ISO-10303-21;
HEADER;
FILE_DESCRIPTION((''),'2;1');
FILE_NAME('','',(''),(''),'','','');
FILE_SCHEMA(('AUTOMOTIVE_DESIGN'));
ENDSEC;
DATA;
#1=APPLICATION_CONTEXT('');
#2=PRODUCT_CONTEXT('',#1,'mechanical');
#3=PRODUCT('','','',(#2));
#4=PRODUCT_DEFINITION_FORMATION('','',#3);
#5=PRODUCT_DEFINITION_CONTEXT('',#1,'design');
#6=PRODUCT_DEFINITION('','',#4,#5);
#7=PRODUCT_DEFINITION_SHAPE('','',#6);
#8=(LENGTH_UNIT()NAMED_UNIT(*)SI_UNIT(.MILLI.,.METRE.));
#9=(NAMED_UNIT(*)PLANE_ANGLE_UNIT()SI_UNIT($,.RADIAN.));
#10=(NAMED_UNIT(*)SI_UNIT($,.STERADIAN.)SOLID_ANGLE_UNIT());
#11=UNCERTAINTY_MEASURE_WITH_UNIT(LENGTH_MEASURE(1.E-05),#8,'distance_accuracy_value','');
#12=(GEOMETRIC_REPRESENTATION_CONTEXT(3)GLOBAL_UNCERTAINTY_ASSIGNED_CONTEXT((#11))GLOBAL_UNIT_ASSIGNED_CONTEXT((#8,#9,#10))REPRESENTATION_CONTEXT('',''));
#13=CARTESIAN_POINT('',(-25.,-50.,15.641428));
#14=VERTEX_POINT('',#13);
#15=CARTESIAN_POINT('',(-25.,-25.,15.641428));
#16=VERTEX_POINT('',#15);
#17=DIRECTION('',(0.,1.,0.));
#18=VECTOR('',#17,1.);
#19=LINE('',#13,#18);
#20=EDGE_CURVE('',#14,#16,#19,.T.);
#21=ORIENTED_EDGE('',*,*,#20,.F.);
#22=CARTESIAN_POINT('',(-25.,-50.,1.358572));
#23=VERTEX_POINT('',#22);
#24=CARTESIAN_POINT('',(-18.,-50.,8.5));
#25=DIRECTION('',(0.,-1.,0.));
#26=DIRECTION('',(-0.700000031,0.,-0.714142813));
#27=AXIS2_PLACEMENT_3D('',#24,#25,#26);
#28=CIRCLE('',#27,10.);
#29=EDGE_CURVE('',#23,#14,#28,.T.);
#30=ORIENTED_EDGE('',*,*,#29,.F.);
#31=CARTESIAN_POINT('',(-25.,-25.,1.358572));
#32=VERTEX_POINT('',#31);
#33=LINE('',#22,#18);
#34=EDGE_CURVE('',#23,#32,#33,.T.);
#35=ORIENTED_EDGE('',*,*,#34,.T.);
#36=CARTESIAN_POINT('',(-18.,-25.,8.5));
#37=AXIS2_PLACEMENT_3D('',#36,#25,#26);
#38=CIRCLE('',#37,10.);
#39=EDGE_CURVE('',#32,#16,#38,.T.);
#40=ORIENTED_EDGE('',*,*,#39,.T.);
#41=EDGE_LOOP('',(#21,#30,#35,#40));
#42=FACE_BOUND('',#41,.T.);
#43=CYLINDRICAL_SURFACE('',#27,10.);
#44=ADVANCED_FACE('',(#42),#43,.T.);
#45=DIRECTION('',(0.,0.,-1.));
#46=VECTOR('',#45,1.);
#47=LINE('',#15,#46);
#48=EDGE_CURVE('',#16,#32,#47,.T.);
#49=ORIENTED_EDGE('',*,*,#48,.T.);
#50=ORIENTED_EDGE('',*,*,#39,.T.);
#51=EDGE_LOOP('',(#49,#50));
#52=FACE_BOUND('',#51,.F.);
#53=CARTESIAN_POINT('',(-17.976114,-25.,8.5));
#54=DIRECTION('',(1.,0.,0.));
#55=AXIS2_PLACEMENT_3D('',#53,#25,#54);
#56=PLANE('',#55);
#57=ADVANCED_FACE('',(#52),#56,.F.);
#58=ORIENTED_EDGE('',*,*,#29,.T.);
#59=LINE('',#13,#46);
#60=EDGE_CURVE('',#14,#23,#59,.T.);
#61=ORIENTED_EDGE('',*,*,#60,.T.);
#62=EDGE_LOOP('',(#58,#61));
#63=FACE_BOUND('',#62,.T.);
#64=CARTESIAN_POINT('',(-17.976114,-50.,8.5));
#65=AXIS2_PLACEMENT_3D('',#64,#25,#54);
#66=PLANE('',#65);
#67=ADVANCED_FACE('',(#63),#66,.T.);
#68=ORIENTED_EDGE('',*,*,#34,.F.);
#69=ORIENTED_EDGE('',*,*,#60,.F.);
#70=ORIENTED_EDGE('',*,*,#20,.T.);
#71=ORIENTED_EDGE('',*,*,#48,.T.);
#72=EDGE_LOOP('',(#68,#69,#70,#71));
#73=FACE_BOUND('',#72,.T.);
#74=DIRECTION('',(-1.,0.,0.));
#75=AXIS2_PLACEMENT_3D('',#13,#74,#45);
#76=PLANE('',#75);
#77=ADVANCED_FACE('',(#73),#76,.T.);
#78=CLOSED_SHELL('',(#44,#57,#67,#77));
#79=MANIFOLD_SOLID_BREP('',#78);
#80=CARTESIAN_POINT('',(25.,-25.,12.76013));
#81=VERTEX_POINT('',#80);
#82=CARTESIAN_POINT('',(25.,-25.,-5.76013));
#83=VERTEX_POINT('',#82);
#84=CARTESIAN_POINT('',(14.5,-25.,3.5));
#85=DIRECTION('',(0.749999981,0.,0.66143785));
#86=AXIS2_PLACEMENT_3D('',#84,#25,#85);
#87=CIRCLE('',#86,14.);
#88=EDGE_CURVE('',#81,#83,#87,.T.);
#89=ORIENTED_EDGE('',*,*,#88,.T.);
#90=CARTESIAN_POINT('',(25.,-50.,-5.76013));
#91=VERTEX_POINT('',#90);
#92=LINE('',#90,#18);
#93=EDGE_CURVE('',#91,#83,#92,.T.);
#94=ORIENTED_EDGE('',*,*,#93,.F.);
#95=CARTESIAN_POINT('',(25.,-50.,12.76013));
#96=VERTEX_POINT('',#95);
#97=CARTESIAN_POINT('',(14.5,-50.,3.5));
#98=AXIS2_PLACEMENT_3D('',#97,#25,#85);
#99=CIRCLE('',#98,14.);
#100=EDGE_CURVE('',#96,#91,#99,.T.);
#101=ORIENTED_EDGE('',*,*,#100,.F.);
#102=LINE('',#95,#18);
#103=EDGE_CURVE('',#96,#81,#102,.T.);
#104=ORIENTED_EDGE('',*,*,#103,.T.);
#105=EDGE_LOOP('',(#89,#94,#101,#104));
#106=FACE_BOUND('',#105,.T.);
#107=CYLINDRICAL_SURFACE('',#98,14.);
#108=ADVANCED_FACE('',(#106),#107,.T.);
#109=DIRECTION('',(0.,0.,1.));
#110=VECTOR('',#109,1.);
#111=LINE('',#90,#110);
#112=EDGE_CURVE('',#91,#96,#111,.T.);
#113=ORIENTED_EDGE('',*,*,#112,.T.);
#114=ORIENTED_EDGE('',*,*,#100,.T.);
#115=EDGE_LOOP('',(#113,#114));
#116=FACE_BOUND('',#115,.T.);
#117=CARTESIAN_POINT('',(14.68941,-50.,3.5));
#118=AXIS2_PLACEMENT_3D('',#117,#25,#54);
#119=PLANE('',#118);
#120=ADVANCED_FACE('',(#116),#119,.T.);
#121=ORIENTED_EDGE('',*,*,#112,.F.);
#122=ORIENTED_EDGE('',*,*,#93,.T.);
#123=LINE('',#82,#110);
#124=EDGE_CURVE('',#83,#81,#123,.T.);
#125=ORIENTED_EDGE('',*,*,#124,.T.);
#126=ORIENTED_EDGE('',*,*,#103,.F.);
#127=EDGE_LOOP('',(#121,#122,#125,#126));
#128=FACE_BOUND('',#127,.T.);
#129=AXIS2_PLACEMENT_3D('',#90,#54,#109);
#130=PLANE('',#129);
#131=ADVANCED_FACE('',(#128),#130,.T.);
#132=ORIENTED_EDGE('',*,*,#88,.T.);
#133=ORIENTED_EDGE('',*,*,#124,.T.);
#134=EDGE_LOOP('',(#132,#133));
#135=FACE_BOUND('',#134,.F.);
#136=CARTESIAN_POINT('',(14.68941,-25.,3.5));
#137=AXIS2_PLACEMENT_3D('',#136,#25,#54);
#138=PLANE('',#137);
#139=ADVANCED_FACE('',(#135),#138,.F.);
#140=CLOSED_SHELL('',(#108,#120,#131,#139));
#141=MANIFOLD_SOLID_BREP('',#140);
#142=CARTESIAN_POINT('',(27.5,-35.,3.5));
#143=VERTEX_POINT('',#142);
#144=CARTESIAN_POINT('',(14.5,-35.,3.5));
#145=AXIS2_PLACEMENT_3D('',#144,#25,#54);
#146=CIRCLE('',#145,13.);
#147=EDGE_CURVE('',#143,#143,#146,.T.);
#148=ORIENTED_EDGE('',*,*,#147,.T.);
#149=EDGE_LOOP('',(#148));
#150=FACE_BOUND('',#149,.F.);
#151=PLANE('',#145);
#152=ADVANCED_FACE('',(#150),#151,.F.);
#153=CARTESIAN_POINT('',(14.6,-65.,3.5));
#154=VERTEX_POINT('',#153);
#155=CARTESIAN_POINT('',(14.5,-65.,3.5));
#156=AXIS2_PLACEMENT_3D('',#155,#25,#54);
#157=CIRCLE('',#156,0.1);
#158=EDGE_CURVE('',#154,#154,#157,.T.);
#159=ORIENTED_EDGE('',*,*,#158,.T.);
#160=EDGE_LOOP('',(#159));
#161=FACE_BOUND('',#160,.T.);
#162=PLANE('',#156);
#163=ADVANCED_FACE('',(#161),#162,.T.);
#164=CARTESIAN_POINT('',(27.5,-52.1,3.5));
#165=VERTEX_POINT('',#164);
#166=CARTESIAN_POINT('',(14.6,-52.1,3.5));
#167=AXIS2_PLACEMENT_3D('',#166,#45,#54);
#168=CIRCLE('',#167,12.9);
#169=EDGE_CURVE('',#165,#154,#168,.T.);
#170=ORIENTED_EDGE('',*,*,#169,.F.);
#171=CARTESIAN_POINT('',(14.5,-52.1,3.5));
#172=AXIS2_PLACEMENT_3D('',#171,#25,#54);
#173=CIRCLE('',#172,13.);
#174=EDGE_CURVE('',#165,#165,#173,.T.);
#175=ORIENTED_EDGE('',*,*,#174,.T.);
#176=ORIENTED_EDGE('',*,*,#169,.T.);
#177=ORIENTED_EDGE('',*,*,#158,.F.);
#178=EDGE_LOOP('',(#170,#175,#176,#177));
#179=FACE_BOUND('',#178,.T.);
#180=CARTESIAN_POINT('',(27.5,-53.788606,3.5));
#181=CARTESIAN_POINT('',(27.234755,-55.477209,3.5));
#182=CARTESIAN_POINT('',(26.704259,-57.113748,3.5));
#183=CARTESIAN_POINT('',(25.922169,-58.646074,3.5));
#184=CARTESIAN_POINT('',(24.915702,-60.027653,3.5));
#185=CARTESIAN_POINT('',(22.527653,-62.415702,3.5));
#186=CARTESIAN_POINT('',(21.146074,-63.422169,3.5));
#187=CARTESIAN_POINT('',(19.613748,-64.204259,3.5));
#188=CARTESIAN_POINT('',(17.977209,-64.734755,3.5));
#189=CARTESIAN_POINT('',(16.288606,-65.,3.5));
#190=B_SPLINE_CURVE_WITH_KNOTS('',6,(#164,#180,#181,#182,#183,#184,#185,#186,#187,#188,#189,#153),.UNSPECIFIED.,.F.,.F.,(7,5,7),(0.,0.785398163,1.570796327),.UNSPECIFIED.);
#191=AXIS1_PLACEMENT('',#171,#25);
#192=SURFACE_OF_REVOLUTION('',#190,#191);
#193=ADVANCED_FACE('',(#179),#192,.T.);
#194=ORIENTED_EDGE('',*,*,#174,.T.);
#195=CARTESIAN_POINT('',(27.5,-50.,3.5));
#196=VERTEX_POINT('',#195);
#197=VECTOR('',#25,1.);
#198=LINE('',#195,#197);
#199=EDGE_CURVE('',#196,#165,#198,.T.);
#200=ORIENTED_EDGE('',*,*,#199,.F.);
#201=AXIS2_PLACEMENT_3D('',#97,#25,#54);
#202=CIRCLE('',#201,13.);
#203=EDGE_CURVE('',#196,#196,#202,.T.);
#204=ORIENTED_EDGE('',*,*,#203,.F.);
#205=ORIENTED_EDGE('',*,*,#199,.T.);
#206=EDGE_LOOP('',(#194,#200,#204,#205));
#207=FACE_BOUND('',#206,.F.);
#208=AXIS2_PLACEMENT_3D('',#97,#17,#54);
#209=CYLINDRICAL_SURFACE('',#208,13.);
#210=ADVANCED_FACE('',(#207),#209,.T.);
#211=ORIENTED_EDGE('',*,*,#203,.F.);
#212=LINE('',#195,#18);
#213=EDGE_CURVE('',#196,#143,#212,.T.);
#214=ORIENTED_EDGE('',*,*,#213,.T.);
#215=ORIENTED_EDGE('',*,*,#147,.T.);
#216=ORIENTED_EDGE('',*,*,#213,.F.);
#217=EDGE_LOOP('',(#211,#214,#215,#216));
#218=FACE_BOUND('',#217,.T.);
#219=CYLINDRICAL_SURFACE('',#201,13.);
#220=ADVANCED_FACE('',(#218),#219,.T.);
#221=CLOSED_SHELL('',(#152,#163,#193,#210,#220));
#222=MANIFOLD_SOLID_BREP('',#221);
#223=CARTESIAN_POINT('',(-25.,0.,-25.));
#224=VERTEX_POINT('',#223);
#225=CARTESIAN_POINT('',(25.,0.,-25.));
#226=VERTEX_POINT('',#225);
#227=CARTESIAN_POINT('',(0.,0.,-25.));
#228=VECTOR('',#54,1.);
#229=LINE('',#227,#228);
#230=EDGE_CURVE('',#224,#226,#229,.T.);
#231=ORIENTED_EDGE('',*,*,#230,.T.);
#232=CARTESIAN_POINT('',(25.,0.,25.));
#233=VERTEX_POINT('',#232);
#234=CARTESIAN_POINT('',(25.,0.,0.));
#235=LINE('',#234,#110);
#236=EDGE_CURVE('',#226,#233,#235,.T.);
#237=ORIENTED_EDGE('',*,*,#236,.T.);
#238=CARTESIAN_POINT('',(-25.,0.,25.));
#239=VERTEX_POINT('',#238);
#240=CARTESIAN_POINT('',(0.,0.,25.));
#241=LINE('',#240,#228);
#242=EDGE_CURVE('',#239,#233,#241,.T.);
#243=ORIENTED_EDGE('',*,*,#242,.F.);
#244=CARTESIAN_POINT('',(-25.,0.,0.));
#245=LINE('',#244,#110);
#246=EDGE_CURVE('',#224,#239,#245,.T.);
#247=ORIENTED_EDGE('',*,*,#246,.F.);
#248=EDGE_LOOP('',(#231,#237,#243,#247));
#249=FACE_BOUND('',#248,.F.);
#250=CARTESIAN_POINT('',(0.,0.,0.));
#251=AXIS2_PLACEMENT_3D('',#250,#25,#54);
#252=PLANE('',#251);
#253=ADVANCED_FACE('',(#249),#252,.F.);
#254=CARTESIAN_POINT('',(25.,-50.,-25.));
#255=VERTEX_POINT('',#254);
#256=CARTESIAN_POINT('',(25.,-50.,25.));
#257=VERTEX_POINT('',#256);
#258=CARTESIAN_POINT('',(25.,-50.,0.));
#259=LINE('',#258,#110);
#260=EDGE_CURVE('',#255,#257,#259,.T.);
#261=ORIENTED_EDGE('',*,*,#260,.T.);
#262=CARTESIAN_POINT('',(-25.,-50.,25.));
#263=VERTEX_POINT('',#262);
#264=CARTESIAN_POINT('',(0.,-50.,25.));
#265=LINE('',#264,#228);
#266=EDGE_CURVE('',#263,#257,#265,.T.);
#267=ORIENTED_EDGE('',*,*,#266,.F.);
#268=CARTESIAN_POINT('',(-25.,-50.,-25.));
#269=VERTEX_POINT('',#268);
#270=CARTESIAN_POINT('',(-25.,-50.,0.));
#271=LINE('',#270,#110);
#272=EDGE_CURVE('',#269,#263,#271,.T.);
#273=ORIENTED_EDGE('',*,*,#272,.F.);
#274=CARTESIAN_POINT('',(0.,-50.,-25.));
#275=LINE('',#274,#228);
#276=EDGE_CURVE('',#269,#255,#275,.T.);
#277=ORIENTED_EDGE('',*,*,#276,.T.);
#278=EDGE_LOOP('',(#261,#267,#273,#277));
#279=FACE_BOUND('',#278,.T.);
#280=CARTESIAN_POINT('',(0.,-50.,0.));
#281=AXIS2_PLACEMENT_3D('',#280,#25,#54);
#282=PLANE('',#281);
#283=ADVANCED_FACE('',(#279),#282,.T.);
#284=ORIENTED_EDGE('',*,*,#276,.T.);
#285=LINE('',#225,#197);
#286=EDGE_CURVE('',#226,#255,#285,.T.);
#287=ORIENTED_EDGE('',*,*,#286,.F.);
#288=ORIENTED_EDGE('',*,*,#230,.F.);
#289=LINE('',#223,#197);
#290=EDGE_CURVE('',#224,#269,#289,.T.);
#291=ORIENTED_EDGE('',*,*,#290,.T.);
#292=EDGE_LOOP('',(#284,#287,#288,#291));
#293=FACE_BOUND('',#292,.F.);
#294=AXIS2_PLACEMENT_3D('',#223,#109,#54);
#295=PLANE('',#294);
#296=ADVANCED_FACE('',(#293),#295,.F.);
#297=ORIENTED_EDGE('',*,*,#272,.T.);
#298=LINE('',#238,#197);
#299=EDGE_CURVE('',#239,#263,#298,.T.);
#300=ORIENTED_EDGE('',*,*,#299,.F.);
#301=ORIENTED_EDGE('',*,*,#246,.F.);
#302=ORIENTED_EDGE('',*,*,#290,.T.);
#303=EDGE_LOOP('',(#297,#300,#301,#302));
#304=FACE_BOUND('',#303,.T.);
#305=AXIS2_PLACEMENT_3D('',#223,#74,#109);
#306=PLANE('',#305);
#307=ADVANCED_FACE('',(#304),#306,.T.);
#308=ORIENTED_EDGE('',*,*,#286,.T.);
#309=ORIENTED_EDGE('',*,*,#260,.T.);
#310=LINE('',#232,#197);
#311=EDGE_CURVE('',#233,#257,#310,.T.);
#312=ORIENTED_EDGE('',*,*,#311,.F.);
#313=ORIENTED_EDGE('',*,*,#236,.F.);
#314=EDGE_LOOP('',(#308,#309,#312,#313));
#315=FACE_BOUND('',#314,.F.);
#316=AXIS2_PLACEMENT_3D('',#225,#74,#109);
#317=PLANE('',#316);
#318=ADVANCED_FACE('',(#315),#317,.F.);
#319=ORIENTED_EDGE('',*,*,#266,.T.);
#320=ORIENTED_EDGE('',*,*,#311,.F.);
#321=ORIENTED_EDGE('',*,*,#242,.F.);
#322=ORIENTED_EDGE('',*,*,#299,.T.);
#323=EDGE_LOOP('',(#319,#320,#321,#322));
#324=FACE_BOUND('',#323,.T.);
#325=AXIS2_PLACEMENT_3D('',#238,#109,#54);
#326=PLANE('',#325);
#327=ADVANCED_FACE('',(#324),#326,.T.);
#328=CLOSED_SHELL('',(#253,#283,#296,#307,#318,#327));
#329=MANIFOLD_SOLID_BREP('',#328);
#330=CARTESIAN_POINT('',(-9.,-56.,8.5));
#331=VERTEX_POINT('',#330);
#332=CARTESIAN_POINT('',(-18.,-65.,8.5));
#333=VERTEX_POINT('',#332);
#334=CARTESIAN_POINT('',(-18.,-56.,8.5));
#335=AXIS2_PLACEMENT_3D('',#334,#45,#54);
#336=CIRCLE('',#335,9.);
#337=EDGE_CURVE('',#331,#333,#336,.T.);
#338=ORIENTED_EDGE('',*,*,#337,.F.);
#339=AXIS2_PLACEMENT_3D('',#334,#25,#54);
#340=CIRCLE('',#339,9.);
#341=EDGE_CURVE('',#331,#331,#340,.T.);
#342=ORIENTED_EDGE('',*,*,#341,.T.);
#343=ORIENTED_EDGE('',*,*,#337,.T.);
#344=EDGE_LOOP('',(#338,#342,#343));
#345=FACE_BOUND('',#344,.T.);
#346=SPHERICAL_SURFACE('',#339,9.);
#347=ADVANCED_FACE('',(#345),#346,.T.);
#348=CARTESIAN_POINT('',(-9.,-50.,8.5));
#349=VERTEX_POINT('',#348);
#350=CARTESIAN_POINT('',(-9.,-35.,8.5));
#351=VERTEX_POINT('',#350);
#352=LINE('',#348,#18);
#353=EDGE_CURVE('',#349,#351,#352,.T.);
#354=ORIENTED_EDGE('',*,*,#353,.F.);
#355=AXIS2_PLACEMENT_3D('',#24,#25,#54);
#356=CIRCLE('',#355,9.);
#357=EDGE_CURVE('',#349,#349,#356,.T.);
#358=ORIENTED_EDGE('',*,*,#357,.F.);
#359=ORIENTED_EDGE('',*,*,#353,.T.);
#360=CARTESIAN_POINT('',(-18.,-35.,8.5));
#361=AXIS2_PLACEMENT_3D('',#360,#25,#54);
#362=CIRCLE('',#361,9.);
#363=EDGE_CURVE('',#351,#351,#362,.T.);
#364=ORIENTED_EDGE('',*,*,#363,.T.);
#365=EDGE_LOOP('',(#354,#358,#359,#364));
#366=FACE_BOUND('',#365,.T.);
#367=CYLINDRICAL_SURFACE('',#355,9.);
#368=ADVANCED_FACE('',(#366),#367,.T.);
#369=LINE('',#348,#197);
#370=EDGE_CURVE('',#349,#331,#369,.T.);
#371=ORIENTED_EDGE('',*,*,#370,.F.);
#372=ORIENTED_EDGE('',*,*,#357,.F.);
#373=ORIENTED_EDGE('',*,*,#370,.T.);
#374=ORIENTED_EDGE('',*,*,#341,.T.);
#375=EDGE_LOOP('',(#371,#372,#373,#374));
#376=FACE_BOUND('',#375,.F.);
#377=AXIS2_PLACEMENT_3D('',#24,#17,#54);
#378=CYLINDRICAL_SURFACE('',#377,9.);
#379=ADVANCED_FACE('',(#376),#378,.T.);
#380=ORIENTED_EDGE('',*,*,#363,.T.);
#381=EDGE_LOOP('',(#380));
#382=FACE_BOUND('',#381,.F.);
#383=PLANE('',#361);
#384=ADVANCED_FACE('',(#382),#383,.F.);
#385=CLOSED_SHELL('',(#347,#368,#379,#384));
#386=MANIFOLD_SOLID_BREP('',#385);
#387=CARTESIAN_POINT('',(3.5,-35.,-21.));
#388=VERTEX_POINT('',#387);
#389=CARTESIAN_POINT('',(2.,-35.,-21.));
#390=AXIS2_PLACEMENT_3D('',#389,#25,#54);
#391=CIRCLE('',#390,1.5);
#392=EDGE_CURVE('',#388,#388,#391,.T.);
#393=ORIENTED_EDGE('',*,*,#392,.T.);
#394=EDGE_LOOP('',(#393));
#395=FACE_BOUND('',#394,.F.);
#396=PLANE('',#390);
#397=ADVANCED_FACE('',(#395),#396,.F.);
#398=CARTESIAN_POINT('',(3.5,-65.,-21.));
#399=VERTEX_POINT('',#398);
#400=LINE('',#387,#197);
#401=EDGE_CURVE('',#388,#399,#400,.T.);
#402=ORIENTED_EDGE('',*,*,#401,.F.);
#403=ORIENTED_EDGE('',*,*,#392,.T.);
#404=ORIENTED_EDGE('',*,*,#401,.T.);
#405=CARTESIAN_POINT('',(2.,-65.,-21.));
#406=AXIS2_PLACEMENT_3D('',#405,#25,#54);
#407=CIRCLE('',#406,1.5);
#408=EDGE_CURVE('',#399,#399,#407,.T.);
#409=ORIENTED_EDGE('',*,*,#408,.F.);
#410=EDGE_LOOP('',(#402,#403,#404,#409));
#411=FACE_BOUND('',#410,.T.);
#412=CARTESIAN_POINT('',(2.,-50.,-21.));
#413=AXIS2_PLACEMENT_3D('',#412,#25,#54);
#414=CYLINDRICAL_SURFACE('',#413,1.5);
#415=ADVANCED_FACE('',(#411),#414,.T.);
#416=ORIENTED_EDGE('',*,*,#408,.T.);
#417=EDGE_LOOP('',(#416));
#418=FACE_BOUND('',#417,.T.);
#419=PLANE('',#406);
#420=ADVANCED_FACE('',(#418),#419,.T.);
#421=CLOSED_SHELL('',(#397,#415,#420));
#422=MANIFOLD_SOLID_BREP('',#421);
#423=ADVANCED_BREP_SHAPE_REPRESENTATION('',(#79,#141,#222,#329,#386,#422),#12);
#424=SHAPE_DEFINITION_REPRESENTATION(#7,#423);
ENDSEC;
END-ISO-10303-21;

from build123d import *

# Parameters (mm, degrees)
F0_W     = 50
F0_H     = 50
F1_DEPTH = 50
F2_R     = 9
F2_R_2   = 13
F2_R_3   = 1.5
F3_DEPTH = 15
F5_DEPTH = 25
F6_R     = 12.9
F7_R     = 9


with BuildPart() as f1:
    # F0 (on Front) → F1 (new body)
    with BuildSketch(Plane.XZ):
        Rectangle(F0_W, F0_H)
    extrude(amount=F1_DEPTH)


with BuildPart() as f3:
    # F2 (on face) → F3 (new body, symmetric)
    with BuildSketch(Plane.XZ.offset(50)):
        with Locations((-18, 8.5)):
            Circle(F2_R)
        with Locations((14.5, 3.5)):
            Circle(F2_R_2)
        with Locations((2, -21)):
            Circle(F2_R_3)
    extrude(amount=F3_DEPTH, both=True)

    # F6
    f6_edges = [f3.edges().sort_by_distance(p)[0] for p in [
        (1.5, -65, 3.5),
    ]]
    fillet(f6_edges, radius=F6_R)

    # F7
    f7_edges = [f3.edges().sort_by_distance(p)[0] for p in [
        (-27, -65, 8.5),
    ]]
    fillet(f7_edges, radius=F7_R)


with BuildPart() as f5:
    # F4 (on face) → F5 (new body)
    with BuildSketch(Plane.XZ.offset(50)):
        with BuildLine():
            Line((-25, 15.641428), (-25, 1.358572))
            ThreePointArc((-25, 1.358572), (-8, 8.5), (-25, 15.641428))
        make_face()
        with BuildLine():
            Line((25, -5.76013), (25, 12.76013))
            ThreePointArc((25, 12.76013), (0.5, 3.5), (25, -5.76013))
        make_face()
    extrude(amount=-F5_DEPTH)


solid = Compound([f1.part, f3.part, f5.part])
